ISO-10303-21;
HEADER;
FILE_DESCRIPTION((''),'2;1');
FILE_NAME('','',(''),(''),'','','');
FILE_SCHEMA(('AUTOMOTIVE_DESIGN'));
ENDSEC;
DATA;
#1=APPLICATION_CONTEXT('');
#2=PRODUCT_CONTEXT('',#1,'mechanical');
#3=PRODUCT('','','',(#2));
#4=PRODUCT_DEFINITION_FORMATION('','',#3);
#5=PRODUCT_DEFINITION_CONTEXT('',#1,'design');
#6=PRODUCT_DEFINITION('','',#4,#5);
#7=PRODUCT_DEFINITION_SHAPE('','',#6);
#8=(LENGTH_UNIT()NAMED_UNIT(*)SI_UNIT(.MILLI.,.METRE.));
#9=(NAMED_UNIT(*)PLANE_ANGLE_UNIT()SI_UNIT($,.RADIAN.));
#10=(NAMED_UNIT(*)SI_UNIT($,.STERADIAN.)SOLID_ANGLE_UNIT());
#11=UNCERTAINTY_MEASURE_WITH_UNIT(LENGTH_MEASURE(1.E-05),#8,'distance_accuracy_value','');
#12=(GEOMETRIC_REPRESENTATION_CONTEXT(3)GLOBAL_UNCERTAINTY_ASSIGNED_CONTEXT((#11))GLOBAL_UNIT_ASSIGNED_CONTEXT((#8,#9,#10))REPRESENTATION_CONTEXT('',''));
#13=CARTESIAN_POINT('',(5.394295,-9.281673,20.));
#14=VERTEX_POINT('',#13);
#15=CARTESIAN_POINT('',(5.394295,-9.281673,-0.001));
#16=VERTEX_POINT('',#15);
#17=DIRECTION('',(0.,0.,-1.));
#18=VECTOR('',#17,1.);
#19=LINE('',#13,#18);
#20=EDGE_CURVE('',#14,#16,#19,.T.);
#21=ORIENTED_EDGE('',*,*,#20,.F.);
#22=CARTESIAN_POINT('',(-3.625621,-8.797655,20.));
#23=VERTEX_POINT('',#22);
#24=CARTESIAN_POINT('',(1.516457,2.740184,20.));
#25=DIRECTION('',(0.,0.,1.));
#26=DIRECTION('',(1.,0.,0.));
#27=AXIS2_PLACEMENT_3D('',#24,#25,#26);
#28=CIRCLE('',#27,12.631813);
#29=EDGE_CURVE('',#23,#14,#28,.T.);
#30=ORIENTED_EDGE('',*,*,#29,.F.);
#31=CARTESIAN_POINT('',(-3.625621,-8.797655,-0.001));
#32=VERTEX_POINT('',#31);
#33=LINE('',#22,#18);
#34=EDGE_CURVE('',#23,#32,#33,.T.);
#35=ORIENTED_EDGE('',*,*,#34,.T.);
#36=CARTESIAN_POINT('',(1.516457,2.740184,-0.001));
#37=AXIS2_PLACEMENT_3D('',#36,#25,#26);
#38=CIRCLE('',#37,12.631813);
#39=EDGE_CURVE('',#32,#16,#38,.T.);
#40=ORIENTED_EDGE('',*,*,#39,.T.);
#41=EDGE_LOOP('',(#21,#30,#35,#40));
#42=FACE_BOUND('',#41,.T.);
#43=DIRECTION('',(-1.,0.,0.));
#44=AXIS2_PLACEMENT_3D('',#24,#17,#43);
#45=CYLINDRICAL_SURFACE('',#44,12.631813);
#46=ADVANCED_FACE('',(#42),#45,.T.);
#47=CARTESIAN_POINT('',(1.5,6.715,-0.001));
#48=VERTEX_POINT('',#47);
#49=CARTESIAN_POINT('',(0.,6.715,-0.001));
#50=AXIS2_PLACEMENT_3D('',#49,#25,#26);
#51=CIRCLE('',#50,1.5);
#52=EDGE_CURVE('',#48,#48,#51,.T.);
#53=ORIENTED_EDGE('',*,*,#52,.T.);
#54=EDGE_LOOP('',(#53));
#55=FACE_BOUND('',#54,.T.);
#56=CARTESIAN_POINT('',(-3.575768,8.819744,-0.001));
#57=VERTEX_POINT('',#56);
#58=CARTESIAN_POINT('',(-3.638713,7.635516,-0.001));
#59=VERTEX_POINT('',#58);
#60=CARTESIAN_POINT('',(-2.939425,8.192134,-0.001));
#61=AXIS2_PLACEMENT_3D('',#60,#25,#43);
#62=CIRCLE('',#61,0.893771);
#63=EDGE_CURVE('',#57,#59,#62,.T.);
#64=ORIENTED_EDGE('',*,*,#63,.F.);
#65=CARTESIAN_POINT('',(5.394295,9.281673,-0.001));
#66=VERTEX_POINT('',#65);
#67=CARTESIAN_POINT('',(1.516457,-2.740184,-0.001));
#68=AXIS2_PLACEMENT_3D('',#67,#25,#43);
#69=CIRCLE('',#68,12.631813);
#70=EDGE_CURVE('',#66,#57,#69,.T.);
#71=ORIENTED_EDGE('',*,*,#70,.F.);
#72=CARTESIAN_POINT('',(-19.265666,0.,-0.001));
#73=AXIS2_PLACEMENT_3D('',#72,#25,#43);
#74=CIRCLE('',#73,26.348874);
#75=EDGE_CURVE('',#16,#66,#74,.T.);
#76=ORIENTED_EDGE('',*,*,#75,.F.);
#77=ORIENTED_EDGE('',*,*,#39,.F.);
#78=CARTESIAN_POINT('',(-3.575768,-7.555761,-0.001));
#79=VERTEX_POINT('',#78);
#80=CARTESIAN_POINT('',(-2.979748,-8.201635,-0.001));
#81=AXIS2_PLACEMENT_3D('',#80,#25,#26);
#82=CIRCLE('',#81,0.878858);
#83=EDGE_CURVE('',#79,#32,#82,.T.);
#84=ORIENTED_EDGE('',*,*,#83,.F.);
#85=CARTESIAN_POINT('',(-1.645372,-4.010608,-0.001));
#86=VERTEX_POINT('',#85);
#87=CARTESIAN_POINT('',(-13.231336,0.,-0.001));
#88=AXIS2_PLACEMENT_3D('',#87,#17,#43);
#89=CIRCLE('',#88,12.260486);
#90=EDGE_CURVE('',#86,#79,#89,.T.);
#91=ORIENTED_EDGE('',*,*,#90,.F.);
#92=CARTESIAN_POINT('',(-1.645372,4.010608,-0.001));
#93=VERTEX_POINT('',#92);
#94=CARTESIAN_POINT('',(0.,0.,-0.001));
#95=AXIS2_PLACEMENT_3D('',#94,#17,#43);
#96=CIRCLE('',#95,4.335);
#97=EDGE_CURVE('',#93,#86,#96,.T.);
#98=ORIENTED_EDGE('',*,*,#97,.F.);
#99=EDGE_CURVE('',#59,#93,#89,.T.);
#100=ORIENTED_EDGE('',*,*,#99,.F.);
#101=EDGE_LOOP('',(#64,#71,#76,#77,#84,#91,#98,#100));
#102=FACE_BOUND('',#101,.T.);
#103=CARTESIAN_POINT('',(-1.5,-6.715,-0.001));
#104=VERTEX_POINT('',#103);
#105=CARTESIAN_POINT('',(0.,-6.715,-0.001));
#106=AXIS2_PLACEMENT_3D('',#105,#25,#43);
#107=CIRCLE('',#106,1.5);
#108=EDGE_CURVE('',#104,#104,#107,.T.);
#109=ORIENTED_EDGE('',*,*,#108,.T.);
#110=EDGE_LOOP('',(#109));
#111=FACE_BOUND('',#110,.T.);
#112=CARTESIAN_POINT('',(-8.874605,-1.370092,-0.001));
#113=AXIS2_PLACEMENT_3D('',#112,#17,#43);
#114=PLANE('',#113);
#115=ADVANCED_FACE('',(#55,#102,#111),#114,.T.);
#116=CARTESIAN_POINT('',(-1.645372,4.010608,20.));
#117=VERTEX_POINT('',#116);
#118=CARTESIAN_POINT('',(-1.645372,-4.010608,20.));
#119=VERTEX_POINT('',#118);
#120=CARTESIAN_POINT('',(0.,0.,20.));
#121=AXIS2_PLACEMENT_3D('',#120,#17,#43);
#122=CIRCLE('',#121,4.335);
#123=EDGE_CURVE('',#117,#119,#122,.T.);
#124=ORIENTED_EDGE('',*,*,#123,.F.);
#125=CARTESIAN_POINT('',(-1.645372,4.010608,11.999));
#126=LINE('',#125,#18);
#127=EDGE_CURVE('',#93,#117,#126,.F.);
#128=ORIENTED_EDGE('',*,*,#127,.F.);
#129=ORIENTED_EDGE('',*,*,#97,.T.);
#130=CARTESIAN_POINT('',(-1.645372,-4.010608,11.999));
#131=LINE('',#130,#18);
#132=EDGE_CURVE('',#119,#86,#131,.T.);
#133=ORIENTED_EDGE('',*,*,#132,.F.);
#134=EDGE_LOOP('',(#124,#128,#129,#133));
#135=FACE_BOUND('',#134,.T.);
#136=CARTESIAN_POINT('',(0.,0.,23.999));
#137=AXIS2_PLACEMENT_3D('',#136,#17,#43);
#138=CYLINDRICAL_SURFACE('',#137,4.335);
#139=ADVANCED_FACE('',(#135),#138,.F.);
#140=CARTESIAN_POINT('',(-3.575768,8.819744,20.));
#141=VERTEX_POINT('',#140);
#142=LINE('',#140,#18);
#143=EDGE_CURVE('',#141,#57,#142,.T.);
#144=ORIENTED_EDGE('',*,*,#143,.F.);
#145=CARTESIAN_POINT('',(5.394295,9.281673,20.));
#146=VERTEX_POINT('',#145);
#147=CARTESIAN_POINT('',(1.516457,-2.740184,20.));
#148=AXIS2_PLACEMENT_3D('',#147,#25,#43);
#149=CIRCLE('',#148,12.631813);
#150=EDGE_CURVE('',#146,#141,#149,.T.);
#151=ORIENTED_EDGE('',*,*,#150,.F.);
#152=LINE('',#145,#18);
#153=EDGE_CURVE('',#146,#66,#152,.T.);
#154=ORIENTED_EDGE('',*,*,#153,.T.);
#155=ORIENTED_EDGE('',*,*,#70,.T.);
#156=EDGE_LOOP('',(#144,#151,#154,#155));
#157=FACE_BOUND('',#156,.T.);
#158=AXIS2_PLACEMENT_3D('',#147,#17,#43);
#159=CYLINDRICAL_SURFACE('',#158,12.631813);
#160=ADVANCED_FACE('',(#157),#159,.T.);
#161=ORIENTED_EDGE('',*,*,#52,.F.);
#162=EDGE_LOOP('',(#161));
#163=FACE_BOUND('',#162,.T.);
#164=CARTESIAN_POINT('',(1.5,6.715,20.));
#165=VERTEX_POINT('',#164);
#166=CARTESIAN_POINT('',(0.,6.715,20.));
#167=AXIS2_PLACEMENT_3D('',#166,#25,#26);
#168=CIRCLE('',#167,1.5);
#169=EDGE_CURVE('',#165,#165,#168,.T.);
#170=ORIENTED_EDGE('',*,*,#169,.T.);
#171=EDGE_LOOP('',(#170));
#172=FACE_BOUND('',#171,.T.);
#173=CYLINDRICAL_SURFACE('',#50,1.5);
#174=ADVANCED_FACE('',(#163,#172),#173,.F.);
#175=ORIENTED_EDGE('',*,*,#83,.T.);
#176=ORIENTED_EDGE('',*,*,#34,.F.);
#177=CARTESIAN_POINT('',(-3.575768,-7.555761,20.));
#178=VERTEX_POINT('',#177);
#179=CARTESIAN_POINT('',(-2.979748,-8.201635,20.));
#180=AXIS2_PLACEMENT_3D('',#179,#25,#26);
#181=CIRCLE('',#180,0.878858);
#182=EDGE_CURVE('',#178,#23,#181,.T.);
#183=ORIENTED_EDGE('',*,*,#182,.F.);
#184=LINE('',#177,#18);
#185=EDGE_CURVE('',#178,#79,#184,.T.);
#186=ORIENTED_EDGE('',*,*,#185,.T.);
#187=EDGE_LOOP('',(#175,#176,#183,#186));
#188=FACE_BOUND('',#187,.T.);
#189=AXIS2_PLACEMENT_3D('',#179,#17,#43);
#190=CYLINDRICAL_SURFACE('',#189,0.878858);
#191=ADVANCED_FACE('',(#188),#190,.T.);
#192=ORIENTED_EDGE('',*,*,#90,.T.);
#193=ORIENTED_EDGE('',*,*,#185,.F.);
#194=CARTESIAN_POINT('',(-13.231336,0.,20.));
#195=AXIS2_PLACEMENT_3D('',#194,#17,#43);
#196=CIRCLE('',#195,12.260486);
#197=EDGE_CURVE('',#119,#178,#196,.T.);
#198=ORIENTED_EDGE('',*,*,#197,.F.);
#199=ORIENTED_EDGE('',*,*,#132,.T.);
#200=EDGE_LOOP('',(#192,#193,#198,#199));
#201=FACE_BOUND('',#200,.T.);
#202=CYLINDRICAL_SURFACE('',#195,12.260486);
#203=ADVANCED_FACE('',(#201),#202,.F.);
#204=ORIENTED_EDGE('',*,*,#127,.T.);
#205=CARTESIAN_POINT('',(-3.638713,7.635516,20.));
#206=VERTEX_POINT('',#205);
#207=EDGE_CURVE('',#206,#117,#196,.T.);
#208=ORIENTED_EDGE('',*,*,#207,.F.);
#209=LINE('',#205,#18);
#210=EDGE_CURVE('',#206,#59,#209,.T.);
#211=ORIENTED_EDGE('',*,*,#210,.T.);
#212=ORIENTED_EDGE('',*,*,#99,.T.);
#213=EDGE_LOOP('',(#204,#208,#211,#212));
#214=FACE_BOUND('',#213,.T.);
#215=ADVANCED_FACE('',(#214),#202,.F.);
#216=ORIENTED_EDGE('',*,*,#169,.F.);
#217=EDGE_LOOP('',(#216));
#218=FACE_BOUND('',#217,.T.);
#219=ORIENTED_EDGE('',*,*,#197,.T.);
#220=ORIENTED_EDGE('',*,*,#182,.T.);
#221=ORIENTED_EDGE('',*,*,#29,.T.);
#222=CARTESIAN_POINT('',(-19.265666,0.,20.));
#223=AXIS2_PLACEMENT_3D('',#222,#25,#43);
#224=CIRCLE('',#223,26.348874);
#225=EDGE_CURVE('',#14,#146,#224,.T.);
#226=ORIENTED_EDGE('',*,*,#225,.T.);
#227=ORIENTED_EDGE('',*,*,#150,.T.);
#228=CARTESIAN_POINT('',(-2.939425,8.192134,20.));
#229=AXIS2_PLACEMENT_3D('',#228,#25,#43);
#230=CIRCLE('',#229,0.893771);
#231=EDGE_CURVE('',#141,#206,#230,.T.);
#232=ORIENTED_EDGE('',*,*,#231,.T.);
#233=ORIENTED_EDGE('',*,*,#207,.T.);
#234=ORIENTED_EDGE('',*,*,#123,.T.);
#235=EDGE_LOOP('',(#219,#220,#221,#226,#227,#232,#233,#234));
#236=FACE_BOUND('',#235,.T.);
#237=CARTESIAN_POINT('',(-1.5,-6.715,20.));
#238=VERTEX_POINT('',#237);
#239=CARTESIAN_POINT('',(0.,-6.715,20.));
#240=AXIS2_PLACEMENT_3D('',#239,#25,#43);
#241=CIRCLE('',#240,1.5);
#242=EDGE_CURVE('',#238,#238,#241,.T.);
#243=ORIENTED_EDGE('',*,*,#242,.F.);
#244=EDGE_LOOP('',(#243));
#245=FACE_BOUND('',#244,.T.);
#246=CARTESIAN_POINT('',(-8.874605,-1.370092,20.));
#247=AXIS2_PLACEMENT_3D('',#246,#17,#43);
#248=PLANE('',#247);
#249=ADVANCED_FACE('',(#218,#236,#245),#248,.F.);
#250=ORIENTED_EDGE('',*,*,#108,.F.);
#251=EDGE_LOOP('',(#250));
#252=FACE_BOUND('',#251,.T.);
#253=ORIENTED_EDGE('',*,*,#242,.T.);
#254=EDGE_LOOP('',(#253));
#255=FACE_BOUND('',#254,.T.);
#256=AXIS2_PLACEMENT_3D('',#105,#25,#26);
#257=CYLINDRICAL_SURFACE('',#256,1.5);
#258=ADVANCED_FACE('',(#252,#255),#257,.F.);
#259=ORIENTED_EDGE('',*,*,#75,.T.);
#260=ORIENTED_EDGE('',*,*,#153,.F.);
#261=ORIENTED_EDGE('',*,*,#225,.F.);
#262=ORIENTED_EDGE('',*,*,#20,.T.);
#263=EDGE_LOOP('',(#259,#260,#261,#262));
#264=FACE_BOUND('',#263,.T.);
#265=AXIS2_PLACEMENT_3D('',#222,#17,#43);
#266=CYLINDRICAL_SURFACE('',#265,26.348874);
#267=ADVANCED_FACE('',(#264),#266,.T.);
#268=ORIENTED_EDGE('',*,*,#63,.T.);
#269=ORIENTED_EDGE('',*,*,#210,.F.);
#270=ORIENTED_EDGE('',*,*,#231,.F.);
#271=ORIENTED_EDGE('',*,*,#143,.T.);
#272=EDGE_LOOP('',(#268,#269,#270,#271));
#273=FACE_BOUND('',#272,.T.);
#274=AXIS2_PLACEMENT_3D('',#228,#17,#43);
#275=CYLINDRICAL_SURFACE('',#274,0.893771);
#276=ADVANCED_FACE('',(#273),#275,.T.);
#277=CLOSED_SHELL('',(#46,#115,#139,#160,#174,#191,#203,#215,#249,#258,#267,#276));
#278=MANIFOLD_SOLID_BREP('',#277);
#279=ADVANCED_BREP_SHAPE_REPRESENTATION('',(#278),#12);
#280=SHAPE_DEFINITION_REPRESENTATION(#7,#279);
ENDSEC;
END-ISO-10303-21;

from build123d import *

# Parameters (mm, degrees)
EXTRUDE1_DEPTH      = 20
EXTRUDE1_DEPTH_BACK = 0.001
SKETCH3_R           = 1.5
CUT_EXTRUDE1_DEPTH  = 24.410598845
SKETCH5_R           = 4.335
CUT_EXTRUDE2_DEPTH  = 24


with BuildPart() as part:
    # Sketch1 → Extrude1 (new, two sides: drawn at the far end of the back side and taken through both)
    with BuildSketch(Plane.XY.offset(-EXTRUDE1_DEPTH_BACK)):
        with BuildLine():
            ThreePointArc((5.394294709, 9.281673418), (7.083207262, 0), (5.394294709, -9.281673418))
            ThreePointArc((5.394294709, -9.281673418), (0.839593343, -9.873480825), (-3.625620963, -8.797654747))
            ThreePointArc((-3.625620963, -8.797654747), (-3.857898862, -8.166383103), (-3.57576768, -7.555761366))
            ThreePointArc((-3.57576768, -7.555761366), (-0.970954643, 0.05080099), (-3.638712866, 7.635516404))
            ThreePointArc((-3.638712866, 7.635516404), (-3.831936153, 8.239573474), (-3.57576768, 8.819744049))
            ThreePointArc((-3.57576768, 8.819744049), (0.866819678, 9.874912356), (5.394294709, 9.281673418))
        make_face()
    extrude(amount=EXTRUDE1_DEPTH + EXTRUDE1_DEPTH_BACK)

    # Sketch3 → Cut-Extrude1 (cut, through all)
    with BuildSketch(Plane.XY.offset(20)):
        with Locations((0, 6.715)):
            Circle(SKETCH3_R)
        with Locations(Location((0, -6.715, 0), (0, 0, 180))):
            Circle(SKETCH3_R)
    extrude(amount=-CUT_EXTRUDE1_DEPTH, mode=Mode.SUBTRACT)

    # Sketch5 → Cut-Extrude2 (cut)
    with BuildSketch(Plane(origin=(0, 0, -0.001), x_dir=(-1, 0, 0), z_dir=(0, 0, -1))):
        Circle(SKETCH5_R)
    extrude(amount=-CUT_EXTRUDE2_DEPTH, mode=Mode.SUBTRACT)


solid = part.part
